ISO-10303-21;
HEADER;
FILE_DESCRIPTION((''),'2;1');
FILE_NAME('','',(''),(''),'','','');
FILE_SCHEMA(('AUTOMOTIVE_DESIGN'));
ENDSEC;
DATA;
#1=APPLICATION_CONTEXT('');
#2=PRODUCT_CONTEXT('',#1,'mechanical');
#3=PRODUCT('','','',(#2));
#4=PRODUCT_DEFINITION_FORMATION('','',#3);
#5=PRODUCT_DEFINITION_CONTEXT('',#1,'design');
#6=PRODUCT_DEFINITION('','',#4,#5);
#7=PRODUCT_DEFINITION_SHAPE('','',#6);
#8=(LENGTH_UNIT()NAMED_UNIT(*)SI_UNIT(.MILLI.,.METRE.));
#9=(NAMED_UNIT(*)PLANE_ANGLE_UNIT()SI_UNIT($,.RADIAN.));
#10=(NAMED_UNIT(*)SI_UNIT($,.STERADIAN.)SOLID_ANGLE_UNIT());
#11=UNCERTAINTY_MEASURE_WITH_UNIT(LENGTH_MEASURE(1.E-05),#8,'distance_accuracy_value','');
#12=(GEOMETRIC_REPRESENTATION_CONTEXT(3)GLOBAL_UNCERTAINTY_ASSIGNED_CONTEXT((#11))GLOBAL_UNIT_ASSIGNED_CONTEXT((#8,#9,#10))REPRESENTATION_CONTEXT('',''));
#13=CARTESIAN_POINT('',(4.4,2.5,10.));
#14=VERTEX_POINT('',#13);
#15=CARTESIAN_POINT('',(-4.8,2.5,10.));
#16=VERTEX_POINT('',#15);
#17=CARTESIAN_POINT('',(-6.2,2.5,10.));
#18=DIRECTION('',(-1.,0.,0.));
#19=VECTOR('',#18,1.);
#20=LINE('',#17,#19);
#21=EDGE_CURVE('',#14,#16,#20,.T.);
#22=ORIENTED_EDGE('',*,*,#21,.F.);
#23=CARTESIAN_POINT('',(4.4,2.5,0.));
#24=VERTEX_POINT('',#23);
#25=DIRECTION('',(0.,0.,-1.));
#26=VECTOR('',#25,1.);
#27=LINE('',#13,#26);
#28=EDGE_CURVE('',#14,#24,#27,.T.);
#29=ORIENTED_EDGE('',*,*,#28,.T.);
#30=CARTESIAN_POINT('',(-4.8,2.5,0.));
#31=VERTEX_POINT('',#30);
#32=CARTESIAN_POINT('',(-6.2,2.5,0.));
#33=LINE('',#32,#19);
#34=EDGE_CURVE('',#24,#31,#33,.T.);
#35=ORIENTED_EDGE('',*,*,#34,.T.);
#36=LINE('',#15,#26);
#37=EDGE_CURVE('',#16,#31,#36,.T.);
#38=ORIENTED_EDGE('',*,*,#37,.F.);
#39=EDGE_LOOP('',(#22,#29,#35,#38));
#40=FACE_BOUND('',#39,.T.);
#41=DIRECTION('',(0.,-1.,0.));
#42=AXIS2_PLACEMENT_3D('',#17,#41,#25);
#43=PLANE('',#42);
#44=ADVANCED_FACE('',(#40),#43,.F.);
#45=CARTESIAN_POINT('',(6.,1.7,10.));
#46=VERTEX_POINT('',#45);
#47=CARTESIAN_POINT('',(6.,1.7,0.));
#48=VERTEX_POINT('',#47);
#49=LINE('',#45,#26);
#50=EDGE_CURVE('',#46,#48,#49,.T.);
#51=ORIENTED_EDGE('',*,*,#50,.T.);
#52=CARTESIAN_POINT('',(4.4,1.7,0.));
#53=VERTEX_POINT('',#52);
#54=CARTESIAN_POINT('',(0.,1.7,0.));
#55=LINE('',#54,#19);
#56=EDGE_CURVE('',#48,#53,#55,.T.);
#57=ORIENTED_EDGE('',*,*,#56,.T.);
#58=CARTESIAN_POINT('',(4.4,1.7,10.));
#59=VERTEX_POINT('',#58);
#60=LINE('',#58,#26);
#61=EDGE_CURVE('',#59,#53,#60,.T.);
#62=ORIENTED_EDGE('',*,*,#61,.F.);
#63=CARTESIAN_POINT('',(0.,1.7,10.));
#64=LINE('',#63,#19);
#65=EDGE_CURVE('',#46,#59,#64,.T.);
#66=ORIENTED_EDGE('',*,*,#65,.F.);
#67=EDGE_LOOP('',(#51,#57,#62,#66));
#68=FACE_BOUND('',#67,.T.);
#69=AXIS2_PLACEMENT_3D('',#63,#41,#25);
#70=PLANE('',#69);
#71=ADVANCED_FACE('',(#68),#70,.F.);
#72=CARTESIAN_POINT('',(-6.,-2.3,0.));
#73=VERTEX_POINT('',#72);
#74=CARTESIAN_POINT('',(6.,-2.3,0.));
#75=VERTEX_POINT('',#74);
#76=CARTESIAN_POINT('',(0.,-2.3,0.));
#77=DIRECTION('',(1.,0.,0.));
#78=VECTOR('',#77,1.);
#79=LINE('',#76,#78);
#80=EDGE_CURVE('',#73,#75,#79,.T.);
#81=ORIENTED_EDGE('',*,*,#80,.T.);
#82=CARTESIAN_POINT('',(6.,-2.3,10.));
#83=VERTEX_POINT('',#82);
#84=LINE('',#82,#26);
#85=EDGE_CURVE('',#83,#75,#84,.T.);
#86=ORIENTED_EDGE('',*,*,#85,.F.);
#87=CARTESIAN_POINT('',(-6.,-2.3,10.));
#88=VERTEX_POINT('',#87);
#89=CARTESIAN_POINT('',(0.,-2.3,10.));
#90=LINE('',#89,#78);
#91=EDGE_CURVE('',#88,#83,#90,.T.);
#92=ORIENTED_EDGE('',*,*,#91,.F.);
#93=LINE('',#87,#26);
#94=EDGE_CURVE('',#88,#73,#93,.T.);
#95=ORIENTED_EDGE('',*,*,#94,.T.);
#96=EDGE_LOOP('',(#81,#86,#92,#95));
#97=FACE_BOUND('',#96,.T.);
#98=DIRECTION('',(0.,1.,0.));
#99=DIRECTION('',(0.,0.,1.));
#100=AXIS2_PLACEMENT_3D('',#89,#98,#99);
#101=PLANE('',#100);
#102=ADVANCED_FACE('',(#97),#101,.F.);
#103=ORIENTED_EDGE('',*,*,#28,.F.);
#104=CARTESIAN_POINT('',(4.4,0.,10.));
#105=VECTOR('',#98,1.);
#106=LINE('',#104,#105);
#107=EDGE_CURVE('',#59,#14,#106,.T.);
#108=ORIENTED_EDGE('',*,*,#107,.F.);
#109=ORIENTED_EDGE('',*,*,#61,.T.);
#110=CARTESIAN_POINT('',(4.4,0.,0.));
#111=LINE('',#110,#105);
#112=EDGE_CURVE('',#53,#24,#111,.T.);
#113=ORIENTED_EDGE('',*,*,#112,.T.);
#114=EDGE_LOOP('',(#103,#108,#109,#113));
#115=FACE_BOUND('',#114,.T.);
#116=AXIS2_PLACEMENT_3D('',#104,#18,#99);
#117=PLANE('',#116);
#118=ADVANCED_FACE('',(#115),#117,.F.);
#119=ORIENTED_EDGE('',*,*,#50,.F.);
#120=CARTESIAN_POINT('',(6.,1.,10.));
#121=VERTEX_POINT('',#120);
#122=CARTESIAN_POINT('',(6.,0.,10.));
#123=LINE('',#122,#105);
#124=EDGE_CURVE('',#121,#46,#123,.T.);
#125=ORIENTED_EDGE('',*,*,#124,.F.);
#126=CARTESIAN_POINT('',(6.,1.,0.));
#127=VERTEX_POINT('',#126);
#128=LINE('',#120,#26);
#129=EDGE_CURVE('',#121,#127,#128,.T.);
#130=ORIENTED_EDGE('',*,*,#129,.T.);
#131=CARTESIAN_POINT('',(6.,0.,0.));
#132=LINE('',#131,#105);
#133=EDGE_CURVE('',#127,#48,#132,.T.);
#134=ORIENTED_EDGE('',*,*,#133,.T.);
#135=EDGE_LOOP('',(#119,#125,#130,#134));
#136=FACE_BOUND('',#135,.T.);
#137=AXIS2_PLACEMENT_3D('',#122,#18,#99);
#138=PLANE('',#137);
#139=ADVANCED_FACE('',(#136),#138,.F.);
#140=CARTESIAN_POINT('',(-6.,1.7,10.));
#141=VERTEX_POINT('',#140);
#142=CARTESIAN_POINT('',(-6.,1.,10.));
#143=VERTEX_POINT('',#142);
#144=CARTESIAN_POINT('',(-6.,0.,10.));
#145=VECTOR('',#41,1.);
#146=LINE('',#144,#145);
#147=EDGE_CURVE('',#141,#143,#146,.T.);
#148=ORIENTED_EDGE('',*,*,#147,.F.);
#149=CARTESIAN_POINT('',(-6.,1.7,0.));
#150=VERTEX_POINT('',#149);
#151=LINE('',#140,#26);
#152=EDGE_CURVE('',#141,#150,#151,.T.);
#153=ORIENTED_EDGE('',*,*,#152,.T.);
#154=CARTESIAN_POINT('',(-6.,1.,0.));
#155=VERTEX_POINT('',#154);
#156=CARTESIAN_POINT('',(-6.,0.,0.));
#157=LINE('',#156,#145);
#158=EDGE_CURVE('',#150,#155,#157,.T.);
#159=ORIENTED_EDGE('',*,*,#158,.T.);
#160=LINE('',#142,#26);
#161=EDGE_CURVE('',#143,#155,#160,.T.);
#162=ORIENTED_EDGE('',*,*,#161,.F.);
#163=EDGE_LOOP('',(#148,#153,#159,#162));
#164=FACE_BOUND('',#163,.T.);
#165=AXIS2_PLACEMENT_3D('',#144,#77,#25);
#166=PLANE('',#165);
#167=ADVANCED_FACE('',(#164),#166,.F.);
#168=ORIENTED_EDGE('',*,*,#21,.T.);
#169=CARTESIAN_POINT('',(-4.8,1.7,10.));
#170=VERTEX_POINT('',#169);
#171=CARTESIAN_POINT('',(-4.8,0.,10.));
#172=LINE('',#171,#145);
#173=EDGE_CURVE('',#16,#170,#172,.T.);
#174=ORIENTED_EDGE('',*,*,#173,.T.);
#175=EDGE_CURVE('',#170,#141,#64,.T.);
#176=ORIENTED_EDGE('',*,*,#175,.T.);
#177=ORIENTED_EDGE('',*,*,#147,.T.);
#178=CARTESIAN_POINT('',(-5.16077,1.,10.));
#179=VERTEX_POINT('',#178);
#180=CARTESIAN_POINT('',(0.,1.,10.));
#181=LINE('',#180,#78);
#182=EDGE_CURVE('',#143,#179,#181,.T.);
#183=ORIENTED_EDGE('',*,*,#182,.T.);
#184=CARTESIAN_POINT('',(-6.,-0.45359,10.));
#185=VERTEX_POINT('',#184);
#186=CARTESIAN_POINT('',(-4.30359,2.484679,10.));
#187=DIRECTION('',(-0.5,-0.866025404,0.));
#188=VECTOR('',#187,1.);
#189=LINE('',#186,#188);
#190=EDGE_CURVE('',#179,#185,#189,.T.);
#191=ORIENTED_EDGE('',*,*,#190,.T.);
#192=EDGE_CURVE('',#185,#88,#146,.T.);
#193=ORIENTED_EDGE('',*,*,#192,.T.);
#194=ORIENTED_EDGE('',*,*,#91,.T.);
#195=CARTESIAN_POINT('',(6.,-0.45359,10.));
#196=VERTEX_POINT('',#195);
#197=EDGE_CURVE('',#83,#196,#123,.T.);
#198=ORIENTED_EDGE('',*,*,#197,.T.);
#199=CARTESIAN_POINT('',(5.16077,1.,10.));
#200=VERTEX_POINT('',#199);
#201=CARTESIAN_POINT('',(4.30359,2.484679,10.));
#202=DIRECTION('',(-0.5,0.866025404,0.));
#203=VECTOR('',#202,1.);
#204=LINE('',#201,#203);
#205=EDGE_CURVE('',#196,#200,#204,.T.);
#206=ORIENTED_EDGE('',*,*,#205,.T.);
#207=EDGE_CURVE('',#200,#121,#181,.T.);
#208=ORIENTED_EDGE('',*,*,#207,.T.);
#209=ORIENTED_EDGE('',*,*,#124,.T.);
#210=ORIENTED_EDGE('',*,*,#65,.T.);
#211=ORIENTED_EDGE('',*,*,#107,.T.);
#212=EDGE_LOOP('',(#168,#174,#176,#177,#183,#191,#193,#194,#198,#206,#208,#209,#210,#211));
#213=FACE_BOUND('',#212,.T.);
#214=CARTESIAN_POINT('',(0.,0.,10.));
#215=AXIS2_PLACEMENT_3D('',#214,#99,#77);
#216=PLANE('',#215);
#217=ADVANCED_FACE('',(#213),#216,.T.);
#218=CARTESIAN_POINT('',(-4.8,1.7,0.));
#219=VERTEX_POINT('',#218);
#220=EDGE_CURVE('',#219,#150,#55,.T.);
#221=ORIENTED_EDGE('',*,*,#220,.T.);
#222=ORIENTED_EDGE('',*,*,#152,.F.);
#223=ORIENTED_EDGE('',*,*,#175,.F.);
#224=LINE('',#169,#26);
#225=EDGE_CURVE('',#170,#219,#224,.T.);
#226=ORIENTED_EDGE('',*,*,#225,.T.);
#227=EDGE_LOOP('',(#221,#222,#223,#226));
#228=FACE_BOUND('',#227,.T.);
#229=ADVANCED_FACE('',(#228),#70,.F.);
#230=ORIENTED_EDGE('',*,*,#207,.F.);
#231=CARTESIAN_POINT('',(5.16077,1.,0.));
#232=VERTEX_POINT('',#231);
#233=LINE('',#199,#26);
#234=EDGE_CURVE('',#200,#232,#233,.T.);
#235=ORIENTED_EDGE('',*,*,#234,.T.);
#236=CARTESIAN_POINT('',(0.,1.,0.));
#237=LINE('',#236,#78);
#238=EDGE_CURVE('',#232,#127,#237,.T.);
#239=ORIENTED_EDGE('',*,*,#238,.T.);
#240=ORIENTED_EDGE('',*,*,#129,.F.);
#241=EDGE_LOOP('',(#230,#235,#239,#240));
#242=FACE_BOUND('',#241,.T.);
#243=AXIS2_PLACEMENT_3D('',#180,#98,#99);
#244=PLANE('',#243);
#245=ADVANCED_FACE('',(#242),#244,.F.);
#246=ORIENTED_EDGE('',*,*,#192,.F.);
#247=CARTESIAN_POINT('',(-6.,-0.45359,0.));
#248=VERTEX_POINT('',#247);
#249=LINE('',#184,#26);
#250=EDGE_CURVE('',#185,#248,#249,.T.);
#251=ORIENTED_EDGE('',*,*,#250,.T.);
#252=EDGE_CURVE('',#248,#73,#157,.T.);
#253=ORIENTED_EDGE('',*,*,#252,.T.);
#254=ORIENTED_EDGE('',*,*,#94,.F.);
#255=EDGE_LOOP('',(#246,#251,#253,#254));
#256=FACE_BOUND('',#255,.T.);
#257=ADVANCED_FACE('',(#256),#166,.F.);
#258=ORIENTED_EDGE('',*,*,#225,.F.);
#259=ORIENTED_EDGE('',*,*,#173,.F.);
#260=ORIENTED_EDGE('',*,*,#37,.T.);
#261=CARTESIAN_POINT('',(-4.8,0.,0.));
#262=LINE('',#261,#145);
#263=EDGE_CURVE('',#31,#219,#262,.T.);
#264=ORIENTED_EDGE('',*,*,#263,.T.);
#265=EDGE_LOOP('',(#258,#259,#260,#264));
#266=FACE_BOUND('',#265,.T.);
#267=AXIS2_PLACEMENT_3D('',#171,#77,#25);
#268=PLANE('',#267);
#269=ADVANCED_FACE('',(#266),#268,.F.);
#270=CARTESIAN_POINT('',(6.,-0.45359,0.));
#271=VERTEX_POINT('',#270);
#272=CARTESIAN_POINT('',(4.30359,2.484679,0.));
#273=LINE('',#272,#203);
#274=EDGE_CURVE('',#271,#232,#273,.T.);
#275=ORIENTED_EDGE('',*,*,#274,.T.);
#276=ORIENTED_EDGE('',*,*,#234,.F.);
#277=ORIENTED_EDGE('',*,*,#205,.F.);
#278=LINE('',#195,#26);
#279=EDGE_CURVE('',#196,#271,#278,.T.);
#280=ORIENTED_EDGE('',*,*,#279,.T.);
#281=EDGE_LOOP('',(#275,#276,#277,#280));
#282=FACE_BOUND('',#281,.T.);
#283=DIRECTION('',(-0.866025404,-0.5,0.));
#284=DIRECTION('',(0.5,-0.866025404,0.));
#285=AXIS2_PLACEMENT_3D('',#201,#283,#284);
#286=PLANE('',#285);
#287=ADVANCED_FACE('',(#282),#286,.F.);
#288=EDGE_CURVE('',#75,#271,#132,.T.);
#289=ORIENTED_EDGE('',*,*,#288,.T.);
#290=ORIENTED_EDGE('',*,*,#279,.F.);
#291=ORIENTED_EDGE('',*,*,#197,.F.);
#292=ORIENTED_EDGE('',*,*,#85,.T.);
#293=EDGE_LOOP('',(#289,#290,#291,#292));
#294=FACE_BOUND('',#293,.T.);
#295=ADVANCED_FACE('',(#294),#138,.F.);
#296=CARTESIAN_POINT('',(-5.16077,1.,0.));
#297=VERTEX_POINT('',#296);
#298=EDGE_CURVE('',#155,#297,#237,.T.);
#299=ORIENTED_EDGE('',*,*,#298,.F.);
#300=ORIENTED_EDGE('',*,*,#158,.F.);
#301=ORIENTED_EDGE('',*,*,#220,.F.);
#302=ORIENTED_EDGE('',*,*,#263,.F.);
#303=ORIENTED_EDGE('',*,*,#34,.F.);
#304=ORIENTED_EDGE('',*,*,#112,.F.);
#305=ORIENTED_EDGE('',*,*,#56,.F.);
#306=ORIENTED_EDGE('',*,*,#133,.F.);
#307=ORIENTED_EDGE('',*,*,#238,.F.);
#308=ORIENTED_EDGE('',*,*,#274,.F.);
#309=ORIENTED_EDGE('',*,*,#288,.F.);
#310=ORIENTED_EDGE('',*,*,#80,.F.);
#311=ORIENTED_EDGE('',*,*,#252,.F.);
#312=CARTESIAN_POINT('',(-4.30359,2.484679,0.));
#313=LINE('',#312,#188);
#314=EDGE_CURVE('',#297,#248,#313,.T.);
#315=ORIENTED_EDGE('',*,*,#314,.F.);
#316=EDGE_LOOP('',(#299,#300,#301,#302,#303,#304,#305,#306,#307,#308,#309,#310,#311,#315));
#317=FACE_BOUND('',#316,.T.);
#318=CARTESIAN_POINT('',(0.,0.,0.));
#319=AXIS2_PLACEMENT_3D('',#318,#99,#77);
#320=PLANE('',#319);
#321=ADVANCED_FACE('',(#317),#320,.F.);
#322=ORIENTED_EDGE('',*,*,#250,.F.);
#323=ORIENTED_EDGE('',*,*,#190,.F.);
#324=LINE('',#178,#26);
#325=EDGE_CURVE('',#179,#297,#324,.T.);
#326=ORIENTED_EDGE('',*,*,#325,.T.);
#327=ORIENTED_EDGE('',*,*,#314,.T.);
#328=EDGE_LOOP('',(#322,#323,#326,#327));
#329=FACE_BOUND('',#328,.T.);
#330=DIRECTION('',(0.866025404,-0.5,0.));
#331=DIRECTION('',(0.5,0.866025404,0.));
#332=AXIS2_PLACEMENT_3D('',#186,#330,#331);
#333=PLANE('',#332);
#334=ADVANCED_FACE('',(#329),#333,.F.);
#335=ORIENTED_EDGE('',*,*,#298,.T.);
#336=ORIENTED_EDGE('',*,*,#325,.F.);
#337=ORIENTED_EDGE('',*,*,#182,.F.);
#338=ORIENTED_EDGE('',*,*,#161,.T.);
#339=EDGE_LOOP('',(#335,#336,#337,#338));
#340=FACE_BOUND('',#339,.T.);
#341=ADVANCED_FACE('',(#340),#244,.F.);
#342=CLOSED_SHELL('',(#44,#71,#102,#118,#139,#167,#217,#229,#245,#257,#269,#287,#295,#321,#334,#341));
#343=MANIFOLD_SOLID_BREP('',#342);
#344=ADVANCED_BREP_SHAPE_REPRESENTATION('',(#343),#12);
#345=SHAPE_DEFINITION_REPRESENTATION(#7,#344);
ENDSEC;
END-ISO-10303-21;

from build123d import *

# Parameters (mm, degrees)
SKETCH_1_W          = 12.4
SKETCH_1_H          = 5
EXTRUDE_1_DEPTH     = 10
SKETCH_2_W          = 1.2
SKETCH_2_H          = 0.6
SKETCH_2_W_2        = 1.6
CUT_EXTRUDE_1_DEPTH = 10


with BuildPart() as part:
    # 草图1 → 凸台-拉伸1 (new body)
    with BuildSketch(Plane.XY):
        Rectangle(SKETCH_1_W, SKETCH_1_H)
    extrude(amount=EXTRUDE_1_DEPTH)

    # 草图2 → 切除-拉伸1 (cut)
    with BuildSketch(Plane(origin=(0, 0, 0), x_dir=(-1, 0, 0), z_dir=(0, 0, -1))):
        with Locations((5.6, 2.2)):
            Rectangle(SKETCH_2_W, SKETCH_2_H)
        Polygon((5, 2.5), (4.8, 2.5), (4.8, 1.7), (6, 1.7), (6, 1), (5.160769515, 1), (6, -0.453589838), (6, -2.3), (-6, -2.3), (-6, -0.453589838), (-5.160769515, 1), (-6, 1), (-6, 1.7), (-4.4, 1.7), (-4.4, 2.5), (-4.6, 2.5), (-4.6, 1.9), (-6.2, 1.9), (-6.2, 0.8), (-5.507179677, 0.8), (-6.2, -0.4), (-6.2, -2.5), (6.2, -2.5), (6.2, -0.4), (5.507179677, 0.8), (6.2, 0.8), (6.2, 1.9), (5, 1.9), align=None)
        Polygon((6.2, -0.4), (6.2, 0.8), (5.507179677, 0.8), align=None)
        Polygon((-5.507179677, 0.8), (-6.2, 0.8), (-6.2, -0.4), align=None)
        with Locations((-5.4, 2.2)):
            Rectangle(SKETCH_2_W_2, SKETCH_2_H)
    extrude(amount=-CUT_EXTRUDE_1_DEPTH, mode=Mode.SUBTRACT)


solid = part.part
